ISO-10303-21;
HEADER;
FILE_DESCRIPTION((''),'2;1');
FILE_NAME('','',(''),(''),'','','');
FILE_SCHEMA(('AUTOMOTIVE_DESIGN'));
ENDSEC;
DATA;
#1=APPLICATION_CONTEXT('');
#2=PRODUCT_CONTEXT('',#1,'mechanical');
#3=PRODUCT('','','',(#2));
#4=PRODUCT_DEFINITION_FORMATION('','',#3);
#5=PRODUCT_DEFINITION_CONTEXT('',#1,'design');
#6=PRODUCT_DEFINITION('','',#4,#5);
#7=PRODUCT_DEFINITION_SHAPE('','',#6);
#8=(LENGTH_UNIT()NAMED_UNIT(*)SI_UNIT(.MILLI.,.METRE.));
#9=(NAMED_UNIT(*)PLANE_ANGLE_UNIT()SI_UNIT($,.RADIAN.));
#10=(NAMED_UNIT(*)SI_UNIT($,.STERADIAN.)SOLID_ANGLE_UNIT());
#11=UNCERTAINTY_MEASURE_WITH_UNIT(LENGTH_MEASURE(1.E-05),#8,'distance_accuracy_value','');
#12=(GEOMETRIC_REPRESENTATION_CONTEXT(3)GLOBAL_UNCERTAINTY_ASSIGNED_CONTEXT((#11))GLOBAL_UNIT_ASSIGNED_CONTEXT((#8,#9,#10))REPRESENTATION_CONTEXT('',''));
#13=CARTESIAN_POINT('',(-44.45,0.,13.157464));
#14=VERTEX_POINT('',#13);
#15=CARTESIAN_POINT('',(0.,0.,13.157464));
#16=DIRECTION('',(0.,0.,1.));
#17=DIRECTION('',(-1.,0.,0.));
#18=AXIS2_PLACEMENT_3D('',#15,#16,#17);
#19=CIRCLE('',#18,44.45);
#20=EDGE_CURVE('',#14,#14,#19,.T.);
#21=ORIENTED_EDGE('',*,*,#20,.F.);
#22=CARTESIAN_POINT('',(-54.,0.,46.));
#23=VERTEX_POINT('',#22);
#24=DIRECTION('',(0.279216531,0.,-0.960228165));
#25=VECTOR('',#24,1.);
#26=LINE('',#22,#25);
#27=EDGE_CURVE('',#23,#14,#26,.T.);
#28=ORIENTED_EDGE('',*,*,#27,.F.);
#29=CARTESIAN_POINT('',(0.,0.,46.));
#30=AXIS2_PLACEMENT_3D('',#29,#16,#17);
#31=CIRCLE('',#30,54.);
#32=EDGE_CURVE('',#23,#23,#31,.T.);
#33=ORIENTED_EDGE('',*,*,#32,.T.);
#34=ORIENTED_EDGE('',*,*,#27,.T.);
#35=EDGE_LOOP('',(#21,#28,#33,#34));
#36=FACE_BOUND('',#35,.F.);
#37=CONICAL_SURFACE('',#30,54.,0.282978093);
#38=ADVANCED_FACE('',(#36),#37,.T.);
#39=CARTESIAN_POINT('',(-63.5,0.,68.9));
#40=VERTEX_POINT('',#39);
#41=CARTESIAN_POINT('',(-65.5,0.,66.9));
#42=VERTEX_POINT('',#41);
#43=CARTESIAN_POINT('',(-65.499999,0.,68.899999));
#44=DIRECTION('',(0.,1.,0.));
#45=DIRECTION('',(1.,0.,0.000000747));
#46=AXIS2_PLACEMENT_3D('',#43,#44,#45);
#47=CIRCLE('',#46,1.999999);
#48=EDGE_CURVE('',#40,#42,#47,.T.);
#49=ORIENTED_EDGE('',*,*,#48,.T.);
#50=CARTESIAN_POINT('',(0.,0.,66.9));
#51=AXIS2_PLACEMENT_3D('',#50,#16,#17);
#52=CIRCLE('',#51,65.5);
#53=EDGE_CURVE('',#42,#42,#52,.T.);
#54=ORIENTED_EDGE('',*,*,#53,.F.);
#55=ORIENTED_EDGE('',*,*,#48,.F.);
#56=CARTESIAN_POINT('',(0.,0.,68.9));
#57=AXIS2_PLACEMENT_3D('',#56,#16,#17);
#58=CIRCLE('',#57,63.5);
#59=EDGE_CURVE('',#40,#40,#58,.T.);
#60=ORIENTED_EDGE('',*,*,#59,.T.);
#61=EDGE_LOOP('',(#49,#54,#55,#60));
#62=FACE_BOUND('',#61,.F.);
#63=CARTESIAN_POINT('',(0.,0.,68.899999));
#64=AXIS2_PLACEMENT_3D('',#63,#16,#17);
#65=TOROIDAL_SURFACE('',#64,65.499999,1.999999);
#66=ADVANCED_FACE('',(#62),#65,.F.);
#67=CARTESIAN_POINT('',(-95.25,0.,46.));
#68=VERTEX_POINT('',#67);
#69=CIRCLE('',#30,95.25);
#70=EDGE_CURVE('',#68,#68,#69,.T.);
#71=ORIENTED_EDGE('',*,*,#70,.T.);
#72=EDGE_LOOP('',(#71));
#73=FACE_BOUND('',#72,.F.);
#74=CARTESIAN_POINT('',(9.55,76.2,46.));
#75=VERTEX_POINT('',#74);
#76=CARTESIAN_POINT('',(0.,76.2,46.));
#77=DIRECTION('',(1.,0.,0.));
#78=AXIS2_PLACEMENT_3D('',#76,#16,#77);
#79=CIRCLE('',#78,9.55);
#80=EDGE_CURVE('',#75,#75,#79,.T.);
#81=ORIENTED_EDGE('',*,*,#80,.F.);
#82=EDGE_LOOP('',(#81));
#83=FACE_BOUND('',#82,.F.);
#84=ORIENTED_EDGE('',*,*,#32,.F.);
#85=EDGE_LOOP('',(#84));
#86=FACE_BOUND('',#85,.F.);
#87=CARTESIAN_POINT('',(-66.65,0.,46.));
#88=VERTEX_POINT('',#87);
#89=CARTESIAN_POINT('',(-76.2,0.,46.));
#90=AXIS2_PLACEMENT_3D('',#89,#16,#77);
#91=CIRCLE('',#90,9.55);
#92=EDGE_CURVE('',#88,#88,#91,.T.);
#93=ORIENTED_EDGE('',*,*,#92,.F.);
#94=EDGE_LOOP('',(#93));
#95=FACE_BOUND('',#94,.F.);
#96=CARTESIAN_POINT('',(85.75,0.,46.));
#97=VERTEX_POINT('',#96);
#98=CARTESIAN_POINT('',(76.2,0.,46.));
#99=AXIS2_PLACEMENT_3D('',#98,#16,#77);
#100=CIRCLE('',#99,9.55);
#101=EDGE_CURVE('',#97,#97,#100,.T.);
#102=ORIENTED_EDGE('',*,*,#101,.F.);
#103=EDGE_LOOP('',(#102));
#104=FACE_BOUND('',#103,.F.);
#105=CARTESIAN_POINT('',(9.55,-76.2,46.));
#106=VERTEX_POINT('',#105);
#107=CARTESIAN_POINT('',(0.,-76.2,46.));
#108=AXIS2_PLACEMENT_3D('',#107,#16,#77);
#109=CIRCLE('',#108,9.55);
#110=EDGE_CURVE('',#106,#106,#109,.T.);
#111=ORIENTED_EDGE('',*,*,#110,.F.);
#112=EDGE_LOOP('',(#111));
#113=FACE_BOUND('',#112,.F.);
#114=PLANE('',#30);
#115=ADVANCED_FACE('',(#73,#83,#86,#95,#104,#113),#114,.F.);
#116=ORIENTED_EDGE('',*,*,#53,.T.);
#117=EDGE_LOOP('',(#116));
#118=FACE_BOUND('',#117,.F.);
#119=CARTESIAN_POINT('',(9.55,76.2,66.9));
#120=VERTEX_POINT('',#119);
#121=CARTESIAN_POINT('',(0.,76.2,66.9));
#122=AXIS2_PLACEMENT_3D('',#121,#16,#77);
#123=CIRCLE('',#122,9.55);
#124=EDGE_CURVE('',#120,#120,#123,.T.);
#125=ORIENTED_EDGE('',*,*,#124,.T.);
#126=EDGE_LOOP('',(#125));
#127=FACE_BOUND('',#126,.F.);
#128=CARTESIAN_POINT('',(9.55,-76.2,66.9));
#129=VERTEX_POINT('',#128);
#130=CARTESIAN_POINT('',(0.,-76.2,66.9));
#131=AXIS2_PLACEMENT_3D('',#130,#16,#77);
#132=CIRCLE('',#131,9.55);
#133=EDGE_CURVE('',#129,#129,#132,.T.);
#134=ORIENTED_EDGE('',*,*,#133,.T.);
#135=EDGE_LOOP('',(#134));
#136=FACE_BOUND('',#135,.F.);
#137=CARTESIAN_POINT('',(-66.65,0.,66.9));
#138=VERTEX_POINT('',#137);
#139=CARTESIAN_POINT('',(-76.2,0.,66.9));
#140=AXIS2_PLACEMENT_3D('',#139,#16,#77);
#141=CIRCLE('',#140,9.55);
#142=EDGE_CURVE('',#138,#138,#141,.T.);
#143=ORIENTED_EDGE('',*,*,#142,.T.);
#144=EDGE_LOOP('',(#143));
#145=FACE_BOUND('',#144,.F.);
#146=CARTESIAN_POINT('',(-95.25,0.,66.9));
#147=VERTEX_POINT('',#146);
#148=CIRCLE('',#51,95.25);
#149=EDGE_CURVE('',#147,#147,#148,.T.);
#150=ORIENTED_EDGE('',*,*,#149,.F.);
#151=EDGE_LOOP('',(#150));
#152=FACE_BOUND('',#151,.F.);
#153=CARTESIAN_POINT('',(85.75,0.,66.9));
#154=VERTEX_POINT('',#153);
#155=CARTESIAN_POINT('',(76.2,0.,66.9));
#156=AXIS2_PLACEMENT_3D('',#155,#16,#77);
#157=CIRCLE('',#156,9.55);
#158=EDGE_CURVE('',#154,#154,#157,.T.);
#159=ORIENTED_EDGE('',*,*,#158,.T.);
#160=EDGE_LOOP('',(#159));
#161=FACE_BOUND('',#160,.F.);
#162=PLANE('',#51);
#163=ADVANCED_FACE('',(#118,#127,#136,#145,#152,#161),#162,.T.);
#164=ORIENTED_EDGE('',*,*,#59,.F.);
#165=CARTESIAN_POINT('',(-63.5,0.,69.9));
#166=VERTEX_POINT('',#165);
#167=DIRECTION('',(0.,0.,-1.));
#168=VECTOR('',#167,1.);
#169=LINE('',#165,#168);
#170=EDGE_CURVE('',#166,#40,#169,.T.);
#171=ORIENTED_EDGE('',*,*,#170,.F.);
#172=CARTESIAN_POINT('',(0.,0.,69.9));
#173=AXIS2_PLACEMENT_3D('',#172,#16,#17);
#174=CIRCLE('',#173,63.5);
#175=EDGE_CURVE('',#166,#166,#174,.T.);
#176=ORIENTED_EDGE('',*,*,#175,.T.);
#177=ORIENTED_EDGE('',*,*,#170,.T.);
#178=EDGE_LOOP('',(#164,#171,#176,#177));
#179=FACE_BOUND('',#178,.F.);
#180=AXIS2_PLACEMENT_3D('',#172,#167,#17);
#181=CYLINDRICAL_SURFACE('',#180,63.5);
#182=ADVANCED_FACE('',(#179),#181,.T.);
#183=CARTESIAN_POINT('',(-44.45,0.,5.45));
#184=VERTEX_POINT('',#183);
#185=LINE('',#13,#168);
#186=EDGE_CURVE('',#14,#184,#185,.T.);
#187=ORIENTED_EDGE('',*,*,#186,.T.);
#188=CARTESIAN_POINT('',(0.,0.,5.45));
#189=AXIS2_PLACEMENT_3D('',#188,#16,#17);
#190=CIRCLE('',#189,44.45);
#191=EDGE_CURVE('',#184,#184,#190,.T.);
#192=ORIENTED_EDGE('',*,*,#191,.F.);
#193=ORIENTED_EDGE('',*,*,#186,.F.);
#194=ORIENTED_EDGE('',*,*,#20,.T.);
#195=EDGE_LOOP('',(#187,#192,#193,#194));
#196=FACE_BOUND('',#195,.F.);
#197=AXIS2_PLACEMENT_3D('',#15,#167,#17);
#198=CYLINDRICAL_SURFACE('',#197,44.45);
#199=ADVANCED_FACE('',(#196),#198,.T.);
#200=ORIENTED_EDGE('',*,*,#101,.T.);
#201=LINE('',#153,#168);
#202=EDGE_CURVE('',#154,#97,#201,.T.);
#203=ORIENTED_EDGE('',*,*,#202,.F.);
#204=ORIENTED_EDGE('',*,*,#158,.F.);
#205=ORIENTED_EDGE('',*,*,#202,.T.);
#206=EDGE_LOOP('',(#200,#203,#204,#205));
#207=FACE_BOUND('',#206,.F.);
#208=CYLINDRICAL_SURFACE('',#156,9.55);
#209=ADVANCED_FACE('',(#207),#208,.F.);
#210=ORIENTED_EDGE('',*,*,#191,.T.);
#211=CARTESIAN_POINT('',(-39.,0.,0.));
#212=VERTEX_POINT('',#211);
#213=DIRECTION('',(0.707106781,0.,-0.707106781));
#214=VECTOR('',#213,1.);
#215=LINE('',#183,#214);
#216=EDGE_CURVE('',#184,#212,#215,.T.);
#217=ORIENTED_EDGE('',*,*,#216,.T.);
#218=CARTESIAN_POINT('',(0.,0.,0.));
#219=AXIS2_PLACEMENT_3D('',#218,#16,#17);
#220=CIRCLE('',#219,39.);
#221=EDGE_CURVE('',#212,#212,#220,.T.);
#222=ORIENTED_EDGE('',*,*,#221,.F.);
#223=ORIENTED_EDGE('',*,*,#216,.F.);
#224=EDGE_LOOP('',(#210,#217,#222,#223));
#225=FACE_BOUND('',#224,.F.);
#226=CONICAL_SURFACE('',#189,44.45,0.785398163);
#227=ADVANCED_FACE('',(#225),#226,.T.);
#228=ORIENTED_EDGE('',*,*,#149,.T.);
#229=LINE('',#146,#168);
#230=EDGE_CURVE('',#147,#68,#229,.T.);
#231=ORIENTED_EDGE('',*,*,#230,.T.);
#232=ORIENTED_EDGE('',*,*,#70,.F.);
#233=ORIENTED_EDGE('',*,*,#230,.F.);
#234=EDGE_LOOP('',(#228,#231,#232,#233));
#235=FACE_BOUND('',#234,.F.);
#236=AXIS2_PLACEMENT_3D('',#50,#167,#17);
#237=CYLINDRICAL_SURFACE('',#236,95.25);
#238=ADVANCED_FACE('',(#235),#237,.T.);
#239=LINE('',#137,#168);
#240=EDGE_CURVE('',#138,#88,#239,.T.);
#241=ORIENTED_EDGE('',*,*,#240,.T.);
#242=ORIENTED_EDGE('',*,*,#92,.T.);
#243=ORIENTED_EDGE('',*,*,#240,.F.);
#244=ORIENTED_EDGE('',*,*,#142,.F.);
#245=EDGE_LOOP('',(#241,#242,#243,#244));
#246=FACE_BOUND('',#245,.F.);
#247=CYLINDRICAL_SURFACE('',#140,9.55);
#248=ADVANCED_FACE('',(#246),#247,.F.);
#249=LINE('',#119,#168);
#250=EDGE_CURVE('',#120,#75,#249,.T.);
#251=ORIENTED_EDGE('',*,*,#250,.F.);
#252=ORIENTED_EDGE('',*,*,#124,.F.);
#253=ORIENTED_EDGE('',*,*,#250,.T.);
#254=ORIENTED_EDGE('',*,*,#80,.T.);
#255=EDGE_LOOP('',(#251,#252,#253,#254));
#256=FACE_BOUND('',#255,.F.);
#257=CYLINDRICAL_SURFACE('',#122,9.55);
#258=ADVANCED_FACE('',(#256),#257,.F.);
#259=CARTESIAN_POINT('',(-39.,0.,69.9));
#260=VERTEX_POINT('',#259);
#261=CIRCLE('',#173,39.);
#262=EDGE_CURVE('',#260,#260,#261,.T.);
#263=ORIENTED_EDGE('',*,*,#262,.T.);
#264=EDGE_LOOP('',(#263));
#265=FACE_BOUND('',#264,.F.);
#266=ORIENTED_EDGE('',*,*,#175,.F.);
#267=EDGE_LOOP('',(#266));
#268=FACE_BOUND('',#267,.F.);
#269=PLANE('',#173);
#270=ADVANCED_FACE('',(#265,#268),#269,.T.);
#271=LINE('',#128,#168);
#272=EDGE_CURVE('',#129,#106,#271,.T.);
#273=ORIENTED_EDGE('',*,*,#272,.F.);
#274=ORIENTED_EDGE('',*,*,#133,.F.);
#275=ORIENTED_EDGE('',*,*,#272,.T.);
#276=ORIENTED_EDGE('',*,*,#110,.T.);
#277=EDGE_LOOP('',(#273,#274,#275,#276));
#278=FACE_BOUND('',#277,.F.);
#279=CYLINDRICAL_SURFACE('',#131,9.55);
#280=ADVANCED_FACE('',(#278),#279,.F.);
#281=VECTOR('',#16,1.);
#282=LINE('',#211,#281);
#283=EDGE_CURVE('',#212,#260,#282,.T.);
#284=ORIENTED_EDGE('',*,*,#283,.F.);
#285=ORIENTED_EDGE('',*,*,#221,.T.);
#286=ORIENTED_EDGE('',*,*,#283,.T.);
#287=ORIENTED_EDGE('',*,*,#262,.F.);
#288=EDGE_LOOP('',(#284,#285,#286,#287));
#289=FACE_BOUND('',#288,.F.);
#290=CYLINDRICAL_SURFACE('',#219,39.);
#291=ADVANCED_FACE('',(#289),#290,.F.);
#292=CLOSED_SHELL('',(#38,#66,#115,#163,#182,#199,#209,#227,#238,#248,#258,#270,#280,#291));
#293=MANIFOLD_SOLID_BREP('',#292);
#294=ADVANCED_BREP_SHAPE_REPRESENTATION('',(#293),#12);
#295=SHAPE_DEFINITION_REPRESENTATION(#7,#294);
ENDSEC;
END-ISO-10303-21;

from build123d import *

# Parameters (mm, degrees)
F2_R     = 9.55
F3_DEPTH = 66.901


with BuildPart() as f1:
    # F0 (on Front) → F1 (revolve)
    with BuildSketch(Plane.XZ):
        with BuildLine():
            Line((-44.45, 5.45), (-39, 0))
            Line((-39, 0), (-39, 69.9))
            Line((-39, 69.9), (-63.5, 69.9))
            Line((-63.5, 69.9), (-63.5, 68.9))
            ThreePointArc((-63.5, 68.9), (-64.085786, 67.485786), (-65.5, 66.9))
            Line((-65.5, 66.9), (-95.25, 66.9))
            Line((-95.25, 66.9), (-95.25, 46))
            Line((-95.25, 46), (-54, 46))
            Line((-54, 46), (-44.45, 13.157464))
            Line((-44.45, 13.157464), (-44.45, 5.45))
        make_face()
    revolve(axis=Axis((0, 0, 36.061939), (0, 0, 1)))

    # F2 (on face) → F3 (cut, through all)
    with BuildSketch(Plane.XY.offset(66.9)):
        with Locations((-76.2, 0)):
            Circle(F2_R)
        with Locations((0, -76.2)):
            Circle(F2_R)
        with Locations((76.2, 0)):
            Circle(F2_R)
        with Locations((0, 76.2)):
            Circle(F2_R)
    extrude(amount=-F3_DEPTH, mode=Mode.SUBTRACT)


solid = f1.part
